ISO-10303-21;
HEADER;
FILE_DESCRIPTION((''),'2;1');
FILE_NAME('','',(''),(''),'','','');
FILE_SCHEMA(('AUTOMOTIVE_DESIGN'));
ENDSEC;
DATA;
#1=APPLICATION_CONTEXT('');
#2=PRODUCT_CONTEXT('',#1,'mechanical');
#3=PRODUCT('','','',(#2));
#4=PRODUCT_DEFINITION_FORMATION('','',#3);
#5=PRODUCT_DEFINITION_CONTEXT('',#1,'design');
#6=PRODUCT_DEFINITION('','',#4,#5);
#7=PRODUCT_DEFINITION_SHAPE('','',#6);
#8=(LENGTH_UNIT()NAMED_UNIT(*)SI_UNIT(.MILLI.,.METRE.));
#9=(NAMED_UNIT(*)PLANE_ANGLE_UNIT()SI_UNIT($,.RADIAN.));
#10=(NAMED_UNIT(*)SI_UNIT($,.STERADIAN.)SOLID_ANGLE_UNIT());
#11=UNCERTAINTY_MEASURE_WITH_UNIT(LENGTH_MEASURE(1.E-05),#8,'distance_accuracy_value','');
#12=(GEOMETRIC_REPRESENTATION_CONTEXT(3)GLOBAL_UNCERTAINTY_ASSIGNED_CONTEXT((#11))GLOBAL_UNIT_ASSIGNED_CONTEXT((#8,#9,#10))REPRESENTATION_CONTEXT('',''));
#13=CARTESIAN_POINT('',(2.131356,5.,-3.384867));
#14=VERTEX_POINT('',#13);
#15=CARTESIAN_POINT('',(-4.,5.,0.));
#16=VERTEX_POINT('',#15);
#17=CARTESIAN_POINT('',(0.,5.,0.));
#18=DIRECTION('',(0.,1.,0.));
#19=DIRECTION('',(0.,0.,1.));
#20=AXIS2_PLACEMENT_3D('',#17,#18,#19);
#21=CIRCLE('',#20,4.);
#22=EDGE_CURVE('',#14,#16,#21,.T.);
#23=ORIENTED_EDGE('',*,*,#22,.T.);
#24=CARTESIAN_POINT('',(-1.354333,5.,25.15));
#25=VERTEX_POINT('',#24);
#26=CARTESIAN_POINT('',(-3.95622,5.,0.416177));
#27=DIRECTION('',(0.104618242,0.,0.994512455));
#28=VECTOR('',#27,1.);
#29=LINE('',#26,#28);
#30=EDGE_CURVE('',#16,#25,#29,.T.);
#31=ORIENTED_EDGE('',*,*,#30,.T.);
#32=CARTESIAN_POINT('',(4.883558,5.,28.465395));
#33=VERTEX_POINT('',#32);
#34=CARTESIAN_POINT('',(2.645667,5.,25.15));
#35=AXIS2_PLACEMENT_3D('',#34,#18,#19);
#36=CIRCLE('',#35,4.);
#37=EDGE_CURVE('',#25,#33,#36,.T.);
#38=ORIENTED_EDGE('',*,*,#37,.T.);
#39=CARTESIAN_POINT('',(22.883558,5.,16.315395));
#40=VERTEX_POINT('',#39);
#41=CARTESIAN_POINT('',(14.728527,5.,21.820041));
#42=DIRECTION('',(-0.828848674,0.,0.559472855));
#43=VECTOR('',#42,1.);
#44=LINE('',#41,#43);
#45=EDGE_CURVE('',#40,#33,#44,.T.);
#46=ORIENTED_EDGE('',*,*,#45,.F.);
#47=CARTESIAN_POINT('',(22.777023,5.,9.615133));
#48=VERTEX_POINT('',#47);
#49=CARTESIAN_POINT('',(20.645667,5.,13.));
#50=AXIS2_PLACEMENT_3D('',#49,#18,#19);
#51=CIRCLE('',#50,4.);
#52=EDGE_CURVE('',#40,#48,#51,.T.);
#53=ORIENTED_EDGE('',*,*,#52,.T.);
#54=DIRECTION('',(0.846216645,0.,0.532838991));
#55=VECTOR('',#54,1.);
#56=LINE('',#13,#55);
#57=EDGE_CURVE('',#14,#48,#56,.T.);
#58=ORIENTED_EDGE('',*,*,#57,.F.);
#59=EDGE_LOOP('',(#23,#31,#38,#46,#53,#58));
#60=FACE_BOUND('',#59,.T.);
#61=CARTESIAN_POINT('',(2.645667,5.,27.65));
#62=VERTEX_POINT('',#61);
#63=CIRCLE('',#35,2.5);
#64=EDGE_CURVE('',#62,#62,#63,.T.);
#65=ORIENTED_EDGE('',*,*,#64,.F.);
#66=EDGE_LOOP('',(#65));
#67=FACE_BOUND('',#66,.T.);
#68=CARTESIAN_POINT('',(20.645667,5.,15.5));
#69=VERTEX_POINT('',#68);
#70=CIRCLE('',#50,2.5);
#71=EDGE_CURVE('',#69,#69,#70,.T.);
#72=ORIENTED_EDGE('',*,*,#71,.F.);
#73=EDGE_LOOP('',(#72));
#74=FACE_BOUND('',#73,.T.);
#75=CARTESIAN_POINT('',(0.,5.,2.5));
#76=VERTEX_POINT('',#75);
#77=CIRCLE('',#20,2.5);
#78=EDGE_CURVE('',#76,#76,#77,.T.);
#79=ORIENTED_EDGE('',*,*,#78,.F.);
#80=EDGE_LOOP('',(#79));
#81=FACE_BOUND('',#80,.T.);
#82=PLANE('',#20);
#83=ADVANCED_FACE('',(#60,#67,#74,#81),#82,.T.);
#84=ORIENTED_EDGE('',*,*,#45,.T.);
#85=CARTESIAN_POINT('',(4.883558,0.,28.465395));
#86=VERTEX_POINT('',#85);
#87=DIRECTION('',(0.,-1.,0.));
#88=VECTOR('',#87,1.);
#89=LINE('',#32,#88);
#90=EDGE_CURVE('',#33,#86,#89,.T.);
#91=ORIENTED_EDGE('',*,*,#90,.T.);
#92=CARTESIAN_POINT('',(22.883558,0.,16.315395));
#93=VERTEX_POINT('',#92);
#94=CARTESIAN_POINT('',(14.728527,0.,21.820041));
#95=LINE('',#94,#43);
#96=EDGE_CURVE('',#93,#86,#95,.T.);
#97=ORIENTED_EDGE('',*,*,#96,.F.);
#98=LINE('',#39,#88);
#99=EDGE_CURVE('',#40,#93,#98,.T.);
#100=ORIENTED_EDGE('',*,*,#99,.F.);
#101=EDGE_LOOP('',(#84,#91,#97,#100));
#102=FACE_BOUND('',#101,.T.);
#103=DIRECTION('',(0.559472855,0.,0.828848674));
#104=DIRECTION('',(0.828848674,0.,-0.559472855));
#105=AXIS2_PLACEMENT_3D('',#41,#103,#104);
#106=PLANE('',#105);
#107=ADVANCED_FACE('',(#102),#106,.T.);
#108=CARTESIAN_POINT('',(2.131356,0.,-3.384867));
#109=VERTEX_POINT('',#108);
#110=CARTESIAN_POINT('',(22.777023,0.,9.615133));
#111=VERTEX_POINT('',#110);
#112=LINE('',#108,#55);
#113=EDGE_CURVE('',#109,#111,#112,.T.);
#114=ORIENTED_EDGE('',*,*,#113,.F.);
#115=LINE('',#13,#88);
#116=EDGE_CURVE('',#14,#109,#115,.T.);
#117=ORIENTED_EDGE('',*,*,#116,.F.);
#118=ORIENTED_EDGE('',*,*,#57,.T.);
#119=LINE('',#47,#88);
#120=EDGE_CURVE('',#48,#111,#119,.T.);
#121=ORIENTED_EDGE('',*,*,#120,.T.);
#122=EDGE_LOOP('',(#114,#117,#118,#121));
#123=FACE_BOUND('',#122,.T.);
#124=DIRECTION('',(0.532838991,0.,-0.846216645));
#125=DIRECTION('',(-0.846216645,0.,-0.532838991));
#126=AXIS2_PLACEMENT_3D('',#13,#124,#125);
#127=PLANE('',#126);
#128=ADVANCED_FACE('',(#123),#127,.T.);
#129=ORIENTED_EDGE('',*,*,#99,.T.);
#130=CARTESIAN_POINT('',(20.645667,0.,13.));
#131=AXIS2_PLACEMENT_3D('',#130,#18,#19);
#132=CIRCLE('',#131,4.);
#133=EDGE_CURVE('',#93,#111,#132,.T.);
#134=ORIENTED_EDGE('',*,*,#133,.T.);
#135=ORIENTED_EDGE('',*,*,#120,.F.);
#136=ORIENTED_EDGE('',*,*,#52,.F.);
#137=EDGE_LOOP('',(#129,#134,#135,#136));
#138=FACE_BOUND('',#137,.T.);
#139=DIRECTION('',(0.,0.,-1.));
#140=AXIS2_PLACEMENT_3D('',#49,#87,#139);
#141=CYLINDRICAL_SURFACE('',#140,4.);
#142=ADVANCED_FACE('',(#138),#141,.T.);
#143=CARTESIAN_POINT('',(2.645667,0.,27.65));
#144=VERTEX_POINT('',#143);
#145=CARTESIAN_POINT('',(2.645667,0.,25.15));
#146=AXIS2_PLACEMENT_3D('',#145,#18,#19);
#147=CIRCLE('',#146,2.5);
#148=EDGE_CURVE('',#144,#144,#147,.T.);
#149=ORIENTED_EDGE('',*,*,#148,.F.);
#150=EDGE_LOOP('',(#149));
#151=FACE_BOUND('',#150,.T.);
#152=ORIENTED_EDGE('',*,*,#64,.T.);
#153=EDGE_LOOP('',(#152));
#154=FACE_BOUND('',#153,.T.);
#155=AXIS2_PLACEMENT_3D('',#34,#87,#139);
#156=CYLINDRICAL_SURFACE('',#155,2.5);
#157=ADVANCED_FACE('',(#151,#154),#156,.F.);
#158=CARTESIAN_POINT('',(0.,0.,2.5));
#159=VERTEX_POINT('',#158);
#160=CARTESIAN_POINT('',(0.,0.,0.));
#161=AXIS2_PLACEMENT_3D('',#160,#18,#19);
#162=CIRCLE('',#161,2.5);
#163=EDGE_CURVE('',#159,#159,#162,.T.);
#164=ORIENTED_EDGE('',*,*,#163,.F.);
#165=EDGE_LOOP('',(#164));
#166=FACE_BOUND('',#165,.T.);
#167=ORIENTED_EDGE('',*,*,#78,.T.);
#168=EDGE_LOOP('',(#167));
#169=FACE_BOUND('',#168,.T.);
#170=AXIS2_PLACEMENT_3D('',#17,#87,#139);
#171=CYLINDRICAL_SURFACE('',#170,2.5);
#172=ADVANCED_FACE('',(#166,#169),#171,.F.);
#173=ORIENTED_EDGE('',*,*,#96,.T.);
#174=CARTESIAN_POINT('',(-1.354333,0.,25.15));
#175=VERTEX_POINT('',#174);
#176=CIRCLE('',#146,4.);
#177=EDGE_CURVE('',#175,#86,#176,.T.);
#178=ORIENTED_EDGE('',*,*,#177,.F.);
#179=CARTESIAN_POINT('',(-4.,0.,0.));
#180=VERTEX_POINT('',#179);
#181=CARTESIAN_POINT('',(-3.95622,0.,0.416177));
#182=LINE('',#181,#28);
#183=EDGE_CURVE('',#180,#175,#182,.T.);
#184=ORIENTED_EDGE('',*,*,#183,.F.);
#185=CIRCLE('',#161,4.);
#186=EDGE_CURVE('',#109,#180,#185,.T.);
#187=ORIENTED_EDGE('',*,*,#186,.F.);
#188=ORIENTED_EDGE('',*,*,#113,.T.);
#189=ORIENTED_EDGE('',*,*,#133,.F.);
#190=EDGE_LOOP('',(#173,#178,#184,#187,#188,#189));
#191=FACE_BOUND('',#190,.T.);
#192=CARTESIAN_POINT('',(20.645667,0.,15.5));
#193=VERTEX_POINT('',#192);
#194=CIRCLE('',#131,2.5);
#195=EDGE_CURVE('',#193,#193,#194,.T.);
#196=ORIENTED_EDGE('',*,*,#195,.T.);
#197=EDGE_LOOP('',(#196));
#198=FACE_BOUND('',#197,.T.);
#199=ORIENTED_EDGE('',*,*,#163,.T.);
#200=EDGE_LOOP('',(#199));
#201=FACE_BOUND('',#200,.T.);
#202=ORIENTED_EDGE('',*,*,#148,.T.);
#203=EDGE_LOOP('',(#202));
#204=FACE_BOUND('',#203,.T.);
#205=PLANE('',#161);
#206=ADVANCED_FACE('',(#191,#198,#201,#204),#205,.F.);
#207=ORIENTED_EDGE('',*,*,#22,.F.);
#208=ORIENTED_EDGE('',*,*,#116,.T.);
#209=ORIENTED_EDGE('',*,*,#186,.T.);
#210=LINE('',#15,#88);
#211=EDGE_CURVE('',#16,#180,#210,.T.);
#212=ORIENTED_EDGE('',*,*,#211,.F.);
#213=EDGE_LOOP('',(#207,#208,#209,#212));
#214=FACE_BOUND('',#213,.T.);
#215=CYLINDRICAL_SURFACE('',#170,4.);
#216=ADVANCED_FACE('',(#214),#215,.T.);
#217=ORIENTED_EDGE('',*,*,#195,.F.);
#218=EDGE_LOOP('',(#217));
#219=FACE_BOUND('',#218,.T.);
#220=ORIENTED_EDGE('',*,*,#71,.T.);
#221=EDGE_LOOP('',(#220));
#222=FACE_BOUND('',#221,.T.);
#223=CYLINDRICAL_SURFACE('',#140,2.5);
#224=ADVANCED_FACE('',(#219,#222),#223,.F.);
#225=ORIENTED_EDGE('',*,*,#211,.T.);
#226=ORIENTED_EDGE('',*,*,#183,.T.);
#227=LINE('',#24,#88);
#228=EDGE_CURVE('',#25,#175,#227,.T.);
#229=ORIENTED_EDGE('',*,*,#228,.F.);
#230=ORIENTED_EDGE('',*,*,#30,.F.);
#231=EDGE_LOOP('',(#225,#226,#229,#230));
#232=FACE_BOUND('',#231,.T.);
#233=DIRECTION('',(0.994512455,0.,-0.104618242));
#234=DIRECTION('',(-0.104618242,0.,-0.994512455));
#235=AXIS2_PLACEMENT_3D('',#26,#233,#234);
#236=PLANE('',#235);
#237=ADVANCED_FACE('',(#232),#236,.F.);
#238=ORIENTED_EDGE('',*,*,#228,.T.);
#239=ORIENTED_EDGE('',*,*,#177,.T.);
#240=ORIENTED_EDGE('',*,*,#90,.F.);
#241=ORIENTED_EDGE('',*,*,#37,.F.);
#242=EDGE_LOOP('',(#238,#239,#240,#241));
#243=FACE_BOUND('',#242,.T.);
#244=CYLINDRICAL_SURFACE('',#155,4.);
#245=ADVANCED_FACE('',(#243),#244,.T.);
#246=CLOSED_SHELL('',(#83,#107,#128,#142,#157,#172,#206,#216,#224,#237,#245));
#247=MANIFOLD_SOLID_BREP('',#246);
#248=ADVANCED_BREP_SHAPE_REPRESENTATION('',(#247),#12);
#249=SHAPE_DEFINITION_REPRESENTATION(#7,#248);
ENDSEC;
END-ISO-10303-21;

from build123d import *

# Parameters (mm, degrees)
SKETCH1_R           = 2.5
BOSS_EXTRUDE1_DEPTH = 5


with BuildPart() as part:
    # Sketch1 → Boss-Extrude1 (new body)
    with BuildSketch(Plane(origin=(0, 0, 0), x_dir=(1, 0, 0), z_dir=(0, 1, 0))):
        with BuildLine():
            ThreePointArc((-1.35433299, -25.15), (0.768377165, -28.682107422), (4.88355843, -28.465394696))
            Line((4.88355843, -28.465394696), (22.88355843, -16.315394696))
            ThreePointArc((22.88355843, -16.315394696), (24.645161473, -12.936407261), (22.777022974, -9.615133422))
            Line((22.777022974, -9.615133422), (2.131355964, 3.384866578))
            ThreePointArc((2.131355964, 3.384866578), (-1.933206681, 3.501815519), (-4, 0))
            Line((-4, 0), (-1.35433299, -25.15))
        make_face()
        with Locations(Location((2.64566701, -25.15, 0), (0, 0, 270))):
            Circle(SKETCH1_R, mode=Mode.SUBTRACT)
        with Locations(Location((20.64566701, -13, 0), (0, 0, 270))):
            Circle(SKETCH1_R, mode=Mode.SUBTRACT)
        with Locations(Location((0, 0, 0), (0, 0, 270))):
            Circle(SKETCH1_R, mode=Mode.SUBTRACT)
    extrude(amount=BOSS_EXTRUDE1_DEPTH)


solid = part.part
